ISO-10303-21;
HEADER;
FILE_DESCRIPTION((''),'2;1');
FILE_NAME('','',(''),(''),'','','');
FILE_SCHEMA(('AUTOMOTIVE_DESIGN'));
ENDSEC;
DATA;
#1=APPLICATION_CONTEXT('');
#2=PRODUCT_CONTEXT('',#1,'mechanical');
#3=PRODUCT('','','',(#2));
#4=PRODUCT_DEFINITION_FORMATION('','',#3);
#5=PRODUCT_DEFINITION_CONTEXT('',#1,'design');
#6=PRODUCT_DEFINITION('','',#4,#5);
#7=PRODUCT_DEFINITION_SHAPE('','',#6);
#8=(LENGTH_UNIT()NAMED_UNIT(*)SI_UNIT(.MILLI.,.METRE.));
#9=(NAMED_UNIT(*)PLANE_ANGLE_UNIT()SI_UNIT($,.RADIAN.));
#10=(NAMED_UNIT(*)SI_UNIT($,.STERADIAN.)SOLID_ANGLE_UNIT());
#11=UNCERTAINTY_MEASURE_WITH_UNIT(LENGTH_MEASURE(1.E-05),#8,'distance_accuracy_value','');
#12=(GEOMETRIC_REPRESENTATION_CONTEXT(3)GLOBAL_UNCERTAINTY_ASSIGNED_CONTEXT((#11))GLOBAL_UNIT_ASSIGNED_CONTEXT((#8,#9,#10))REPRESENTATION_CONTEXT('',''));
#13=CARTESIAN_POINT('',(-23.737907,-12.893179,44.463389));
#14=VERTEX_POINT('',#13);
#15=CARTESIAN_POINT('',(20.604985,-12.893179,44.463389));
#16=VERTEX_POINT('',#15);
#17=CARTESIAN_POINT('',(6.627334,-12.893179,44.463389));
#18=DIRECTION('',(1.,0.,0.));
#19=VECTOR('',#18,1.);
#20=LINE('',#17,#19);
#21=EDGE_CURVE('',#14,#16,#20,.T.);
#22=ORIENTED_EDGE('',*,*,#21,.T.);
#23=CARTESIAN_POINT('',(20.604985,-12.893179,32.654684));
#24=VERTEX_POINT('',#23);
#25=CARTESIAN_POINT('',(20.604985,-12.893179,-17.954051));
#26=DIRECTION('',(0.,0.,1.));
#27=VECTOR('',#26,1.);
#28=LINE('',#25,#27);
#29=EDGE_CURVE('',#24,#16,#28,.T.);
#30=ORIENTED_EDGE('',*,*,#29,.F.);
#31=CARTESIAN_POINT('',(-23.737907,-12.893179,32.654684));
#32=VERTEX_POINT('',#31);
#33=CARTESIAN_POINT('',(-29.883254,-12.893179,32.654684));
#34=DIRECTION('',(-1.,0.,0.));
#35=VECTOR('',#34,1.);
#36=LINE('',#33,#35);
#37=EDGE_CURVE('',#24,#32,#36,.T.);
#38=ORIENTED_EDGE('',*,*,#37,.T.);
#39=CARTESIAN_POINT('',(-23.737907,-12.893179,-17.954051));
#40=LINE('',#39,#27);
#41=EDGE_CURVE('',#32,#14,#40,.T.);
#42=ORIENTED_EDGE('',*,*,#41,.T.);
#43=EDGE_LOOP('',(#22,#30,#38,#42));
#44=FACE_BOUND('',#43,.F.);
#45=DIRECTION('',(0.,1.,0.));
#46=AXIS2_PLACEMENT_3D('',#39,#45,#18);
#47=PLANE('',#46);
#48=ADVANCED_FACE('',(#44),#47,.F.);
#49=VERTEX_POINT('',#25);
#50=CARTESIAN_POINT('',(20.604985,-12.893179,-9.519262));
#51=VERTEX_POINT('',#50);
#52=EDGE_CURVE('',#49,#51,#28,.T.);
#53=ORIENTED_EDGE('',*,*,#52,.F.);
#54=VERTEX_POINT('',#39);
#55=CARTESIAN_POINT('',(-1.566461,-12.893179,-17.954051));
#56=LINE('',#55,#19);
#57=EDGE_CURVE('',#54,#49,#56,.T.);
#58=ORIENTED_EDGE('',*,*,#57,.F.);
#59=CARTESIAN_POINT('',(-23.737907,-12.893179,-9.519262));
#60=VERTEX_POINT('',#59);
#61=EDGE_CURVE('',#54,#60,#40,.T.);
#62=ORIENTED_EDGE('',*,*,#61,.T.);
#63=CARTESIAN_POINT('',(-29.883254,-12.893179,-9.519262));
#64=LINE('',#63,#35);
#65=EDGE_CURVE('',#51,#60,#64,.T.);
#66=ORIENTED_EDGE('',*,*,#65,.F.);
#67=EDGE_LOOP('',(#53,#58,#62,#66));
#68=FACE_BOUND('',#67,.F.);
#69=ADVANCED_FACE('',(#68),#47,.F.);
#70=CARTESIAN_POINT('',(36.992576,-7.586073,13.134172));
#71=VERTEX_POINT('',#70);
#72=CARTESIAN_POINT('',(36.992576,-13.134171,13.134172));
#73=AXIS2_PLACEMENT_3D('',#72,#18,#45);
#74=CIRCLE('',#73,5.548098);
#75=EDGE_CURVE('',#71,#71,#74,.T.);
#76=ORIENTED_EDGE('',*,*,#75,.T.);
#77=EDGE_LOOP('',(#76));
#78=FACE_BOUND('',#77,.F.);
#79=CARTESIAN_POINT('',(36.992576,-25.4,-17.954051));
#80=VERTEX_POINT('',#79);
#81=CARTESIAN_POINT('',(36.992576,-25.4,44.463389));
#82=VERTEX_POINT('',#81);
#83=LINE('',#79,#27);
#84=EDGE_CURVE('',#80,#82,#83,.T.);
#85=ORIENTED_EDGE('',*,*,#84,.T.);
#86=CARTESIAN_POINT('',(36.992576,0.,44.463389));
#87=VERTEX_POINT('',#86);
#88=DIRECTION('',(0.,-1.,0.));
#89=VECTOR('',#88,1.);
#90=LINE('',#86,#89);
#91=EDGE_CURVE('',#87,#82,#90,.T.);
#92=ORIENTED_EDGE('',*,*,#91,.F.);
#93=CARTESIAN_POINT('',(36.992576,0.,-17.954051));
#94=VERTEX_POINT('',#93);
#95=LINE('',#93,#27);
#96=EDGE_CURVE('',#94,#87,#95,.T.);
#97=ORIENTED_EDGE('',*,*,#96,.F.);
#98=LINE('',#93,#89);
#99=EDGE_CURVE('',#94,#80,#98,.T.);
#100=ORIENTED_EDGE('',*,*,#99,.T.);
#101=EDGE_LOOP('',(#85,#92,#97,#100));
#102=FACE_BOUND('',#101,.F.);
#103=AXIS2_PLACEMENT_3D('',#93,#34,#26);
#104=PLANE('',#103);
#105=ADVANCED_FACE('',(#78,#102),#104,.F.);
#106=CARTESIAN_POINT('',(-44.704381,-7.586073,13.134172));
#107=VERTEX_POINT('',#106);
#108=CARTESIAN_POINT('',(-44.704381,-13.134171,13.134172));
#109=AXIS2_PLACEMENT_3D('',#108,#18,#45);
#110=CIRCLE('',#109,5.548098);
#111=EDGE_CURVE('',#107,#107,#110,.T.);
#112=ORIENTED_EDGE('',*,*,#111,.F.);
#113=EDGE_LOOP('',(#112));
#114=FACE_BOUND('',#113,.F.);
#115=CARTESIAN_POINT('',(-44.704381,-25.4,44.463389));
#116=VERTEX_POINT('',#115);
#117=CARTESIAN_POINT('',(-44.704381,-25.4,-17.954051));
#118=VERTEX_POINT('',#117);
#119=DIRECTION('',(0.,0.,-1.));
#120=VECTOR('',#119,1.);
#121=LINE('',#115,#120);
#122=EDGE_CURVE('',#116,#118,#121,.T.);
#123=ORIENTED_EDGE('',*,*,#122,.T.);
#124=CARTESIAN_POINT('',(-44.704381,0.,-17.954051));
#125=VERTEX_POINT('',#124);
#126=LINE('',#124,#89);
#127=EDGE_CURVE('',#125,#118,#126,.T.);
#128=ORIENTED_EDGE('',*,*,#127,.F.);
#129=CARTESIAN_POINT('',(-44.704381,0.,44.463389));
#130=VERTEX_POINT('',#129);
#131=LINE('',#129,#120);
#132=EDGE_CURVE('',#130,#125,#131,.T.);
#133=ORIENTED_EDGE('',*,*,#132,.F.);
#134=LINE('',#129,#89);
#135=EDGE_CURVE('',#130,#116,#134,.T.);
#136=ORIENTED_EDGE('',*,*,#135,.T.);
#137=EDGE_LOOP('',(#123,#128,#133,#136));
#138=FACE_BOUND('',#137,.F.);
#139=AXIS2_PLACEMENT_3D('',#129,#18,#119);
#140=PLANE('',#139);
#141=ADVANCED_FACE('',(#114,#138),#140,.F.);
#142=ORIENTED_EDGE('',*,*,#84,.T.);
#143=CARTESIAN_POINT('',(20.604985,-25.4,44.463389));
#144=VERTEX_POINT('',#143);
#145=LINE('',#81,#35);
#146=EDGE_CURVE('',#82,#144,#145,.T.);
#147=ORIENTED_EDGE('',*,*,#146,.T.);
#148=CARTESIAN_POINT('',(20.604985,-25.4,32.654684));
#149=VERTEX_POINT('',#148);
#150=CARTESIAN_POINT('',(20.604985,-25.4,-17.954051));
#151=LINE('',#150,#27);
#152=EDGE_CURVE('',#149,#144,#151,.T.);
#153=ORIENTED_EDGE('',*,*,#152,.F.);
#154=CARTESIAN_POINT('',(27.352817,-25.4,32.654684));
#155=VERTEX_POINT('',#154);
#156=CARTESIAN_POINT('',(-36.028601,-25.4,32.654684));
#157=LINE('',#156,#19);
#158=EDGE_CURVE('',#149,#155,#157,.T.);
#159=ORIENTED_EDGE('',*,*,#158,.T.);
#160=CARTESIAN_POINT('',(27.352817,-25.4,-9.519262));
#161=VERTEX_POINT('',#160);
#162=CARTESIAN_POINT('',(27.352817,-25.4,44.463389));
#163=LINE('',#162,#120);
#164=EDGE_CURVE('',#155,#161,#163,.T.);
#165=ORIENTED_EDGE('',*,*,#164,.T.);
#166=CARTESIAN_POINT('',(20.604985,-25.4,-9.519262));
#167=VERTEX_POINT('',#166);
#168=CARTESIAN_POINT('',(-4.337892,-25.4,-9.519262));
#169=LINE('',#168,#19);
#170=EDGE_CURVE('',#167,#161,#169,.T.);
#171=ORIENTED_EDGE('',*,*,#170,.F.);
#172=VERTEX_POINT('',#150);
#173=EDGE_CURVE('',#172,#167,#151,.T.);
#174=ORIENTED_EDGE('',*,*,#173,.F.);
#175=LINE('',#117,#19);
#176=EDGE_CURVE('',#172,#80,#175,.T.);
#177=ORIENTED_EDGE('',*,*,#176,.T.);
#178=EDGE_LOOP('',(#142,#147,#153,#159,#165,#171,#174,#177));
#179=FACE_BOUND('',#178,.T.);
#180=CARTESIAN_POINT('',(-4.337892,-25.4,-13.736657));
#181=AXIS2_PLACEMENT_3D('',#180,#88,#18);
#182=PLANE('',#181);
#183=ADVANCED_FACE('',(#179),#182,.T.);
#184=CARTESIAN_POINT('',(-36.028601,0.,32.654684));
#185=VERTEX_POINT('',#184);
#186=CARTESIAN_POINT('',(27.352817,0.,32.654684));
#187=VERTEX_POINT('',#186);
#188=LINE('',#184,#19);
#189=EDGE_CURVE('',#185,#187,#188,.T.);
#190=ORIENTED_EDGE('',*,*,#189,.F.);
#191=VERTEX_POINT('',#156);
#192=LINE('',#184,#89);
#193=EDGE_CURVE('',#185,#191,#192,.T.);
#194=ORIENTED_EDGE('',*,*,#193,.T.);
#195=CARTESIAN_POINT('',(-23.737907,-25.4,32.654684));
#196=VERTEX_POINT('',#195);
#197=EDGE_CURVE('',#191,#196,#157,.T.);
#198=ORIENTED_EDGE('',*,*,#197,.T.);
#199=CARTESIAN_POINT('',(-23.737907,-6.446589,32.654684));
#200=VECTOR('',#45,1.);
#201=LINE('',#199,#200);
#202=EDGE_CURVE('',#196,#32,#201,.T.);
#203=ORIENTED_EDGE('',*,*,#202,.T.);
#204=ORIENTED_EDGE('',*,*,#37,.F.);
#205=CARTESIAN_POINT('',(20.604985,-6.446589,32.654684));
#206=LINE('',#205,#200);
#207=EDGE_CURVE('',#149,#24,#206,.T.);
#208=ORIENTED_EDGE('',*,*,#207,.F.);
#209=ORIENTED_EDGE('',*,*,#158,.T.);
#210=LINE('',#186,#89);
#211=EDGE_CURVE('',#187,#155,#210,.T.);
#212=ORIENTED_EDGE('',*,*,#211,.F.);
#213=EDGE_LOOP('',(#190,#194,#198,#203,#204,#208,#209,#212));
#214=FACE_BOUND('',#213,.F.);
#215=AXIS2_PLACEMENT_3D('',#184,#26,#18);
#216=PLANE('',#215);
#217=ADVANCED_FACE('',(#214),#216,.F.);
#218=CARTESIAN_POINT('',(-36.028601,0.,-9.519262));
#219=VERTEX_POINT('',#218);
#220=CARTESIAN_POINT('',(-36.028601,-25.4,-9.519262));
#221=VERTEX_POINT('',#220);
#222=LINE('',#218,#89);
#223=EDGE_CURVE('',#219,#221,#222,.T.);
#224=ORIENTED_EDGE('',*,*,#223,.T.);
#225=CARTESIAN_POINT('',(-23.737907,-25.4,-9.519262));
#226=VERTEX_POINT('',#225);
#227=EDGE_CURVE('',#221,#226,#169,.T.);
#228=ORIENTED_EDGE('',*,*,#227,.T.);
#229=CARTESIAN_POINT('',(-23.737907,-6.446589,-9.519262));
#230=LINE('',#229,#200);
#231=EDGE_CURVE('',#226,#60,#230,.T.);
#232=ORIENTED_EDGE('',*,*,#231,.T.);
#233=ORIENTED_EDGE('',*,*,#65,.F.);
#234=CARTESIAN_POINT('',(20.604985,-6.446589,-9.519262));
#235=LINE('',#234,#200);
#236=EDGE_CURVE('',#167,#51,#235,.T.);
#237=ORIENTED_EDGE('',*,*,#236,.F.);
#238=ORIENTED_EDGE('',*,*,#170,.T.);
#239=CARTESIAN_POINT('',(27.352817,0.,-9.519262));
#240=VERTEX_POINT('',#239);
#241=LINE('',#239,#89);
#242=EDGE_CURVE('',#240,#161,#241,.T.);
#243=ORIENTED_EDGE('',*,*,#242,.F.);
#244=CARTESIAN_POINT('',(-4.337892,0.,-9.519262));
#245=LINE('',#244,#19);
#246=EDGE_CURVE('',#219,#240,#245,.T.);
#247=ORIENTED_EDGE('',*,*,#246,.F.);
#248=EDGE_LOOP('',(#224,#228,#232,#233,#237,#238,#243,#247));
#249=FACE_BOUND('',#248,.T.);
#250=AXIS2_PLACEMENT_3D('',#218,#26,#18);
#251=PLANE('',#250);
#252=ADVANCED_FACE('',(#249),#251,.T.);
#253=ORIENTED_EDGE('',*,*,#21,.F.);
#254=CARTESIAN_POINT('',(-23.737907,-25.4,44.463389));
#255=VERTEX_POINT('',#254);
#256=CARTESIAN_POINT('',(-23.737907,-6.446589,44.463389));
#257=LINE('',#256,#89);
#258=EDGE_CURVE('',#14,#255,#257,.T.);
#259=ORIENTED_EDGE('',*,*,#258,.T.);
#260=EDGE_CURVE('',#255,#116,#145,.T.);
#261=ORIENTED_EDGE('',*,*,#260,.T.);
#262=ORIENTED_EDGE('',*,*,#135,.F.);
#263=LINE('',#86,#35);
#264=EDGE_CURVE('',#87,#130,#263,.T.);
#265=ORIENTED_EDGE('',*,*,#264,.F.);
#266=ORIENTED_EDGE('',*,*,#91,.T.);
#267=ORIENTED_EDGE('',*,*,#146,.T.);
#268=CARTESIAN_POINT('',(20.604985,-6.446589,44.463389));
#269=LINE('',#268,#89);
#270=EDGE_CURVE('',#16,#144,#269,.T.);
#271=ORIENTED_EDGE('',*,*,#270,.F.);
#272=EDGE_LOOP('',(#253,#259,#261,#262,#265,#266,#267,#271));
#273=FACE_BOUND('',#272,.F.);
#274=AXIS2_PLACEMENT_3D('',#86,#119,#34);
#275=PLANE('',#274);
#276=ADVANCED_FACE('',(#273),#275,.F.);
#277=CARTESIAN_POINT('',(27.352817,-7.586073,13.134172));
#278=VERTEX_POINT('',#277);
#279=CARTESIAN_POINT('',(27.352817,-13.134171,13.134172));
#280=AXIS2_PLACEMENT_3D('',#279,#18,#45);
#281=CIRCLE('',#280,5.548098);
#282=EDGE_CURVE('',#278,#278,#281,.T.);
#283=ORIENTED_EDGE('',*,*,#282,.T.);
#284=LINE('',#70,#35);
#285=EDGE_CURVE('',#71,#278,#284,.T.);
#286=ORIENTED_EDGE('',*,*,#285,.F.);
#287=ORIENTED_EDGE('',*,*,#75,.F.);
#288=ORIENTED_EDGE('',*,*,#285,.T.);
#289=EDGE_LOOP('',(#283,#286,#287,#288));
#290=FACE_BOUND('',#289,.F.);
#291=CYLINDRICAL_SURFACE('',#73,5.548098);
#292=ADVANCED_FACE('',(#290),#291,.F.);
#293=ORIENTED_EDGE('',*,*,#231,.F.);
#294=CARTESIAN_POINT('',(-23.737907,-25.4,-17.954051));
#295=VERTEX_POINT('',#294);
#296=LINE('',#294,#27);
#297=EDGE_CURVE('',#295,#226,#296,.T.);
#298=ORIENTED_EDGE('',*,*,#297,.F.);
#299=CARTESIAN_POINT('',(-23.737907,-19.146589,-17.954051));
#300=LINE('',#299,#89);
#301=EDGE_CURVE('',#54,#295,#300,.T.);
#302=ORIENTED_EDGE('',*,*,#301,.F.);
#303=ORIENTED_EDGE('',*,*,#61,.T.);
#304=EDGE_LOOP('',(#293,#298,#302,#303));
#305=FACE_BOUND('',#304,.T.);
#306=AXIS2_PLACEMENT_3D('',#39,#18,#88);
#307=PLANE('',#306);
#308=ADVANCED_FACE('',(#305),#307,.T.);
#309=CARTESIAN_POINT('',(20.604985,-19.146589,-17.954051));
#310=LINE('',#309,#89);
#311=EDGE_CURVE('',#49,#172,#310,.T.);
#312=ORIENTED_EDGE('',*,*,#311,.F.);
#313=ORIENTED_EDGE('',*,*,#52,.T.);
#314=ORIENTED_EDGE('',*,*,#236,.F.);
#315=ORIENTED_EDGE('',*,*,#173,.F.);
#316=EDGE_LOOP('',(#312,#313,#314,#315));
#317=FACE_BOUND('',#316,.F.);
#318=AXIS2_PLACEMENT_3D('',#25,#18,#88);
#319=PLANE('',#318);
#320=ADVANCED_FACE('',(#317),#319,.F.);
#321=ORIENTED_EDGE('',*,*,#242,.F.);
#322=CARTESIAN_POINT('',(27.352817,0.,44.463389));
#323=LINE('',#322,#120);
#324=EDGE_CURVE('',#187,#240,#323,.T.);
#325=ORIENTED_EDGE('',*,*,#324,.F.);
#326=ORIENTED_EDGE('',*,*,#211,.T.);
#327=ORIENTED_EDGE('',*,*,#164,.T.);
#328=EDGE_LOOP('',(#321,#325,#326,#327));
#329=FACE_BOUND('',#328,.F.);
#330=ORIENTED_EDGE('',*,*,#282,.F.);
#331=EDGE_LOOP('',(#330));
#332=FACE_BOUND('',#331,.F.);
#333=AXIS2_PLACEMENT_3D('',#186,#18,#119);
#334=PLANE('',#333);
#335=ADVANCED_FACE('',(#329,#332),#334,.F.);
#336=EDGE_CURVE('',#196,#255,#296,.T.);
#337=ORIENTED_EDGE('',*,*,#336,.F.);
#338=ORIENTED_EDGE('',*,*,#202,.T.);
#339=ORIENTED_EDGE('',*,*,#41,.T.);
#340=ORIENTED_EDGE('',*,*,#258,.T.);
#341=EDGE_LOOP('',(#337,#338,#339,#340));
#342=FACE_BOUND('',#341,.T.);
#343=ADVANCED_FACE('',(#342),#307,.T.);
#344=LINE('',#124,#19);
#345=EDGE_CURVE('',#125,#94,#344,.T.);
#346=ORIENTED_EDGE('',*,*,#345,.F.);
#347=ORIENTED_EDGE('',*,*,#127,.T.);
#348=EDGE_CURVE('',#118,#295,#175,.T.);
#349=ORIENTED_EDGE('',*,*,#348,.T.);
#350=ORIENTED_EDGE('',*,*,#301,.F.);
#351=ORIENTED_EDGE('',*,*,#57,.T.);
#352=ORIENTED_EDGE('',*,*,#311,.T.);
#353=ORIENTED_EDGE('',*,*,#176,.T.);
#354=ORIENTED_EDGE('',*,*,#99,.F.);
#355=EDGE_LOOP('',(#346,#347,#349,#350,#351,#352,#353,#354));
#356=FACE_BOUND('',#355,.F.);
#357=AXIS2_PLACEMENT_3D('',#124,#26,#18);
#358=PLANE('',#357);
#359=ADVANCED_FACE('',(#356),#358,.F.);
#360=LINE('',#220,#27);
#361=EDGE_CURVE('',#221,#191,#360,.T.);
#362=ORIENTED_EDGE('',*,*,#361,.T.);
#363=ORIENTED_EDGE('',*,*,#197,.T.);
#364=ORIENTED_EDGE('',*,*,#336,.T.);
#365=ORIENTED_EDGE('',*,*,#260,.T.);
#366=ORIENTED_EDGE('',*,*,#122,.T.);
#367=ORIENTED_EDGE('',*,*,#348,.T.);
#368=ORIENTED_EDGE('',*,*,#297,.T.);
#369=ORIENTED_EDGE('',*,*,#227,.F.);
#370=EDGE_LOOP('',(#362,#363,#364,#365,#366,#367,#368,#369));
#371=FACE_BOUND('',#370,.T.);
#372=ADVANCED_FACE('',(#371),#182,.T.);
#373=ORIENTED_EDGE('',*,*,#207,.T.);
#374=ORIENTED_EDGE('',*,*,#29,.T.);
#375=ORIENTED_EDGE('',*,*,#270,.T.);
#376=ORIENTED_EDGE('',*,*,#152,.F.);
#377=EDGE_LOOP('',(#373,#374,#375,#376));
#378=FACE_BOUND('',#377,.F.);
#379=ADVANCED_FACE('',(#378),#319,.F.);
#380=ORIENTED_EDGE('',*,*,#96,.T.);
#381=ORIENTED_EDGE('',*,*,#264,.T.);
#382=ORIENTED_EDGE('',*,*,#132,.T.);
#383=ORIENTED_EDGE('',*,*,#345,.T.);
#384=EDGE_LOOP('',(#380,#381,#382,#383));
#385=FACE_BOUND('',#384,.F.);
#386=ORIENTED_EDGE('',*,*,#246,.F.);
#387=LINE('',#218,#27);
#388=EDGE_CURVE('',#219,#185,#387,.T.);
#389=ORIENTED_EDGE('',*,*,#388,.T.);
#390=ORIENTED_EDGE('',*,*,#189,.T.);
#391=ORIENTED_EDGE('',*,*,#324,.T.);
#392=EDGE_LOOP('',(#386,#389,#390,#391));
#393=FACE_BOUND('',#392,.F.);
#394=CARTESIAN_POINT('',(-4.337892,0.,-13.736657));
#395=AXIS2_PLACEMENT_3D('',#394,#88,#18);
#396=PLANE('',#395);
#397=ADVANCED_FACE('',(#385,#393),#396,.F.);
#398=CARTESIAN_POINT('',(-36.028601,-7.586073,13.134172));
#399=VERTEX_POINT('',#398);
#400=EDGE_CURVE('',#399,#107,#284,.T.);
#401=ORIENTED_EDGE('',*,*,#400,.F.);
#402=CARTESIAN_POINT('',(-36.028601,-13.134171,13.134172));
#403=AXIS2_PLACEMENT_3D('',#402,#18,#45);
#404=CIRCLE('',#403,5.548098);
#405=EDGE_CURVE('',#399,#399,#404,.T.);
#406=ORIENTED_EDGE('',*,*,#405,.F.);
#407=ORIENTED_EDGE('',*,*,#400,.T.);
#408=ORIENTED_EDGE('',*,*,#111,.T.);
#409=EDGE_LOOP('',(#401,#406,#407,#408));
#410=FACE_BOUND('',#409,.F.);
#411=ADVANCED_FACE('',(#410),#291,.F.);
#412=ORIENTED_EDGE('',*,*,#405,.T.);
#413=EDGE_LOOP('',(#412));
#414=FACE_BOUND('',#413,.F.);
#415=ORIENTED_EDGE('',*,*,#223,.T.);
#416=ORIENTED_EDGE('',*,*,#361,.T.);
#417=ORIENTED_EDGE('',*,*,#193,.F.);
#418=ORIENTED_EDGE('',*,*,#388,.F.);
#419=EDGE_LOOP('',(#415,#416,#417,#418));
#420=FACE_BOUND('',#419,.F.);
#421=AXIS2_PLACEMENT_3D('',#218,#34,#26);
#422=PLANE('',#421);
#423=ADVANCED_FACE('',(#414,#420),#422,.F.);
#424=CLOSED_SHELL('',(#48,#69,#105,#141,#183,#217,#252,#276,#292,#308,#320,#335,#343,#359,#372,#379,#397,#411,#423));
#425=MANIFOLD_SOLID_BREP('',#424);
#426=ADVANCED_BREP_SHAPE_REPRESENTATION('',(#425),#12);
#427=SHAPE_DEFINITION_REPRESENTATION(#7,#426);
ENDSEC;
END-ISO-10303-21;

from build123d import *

# Parameters (mm, degrees)
F0_W     = 63.3814185858
F0_H     = 8.4347892553
F1_DEPTH = 25.4
F2_W     = 44.3428922445
F2_H     = 12.5068214998
F3_DEPTH = 100.838
F4_R     = 5.5480982764
F5_DEPTH = 130.048


with BuildPart() as f1:
    # F0 (on Front) → F1 (new body)
    with BuildSketch(Plane.XZ):
        with Locations((-4.3378919363, -13.736656867)):
            Rectangle(F0_W, F0_H)
        Polygon((-36.0286012292, -17.9540514946), (-36.0286012292, -9.5192622393), (-36.0286012292, 32.654684037), (-44.7043813765, 32.654684037), (-44.7043813765, -17.9540514946), align=None)
        Polygon((27.3528173566, 32.654684037), (27.3528173566, -9.5192622393), (27.3528173566, -17.9540514946), (36.9925759733, -17.9540514946), (36.9925759733, 44.4633886218), (27.3528173566, 44.4633886218), align=None)
        Polygon((-44.7043813765, 32.654684037), (-36.0286012292, 32.654684037), (27.3528173566, 32.654684037), (27.3528173566, 44.4633886218), (-44.7043813765, 44.4633886218), align=None)
    extrude(amount=F1_DEPTH)

    # F2 (on face) → F3 (cut)
    with BuildSketch(Plane(origin=(0, 0, -17.9540514946), x_dir=(1, 0, 0), z_dir=(0, 0, -1))):
        with Locations((-1.5664612874, 19.1465892501)):
            Rectangle(F2_W, F2_H)
    extrude(amount=-F3_DEPTH, mode=Mode.SUBTRACT)

    # F4 (on face) → F5 (cut)
    with BuildSketch(Plane.YZ.offset(36.9925759733)):
        with Locations((-13.1341712549, 13.1341721863)):
            Circle(F4_R)
    extrude(amount=-F5_DEPTH, mode=Mode.SUBTRACT)


solid = f1.part
